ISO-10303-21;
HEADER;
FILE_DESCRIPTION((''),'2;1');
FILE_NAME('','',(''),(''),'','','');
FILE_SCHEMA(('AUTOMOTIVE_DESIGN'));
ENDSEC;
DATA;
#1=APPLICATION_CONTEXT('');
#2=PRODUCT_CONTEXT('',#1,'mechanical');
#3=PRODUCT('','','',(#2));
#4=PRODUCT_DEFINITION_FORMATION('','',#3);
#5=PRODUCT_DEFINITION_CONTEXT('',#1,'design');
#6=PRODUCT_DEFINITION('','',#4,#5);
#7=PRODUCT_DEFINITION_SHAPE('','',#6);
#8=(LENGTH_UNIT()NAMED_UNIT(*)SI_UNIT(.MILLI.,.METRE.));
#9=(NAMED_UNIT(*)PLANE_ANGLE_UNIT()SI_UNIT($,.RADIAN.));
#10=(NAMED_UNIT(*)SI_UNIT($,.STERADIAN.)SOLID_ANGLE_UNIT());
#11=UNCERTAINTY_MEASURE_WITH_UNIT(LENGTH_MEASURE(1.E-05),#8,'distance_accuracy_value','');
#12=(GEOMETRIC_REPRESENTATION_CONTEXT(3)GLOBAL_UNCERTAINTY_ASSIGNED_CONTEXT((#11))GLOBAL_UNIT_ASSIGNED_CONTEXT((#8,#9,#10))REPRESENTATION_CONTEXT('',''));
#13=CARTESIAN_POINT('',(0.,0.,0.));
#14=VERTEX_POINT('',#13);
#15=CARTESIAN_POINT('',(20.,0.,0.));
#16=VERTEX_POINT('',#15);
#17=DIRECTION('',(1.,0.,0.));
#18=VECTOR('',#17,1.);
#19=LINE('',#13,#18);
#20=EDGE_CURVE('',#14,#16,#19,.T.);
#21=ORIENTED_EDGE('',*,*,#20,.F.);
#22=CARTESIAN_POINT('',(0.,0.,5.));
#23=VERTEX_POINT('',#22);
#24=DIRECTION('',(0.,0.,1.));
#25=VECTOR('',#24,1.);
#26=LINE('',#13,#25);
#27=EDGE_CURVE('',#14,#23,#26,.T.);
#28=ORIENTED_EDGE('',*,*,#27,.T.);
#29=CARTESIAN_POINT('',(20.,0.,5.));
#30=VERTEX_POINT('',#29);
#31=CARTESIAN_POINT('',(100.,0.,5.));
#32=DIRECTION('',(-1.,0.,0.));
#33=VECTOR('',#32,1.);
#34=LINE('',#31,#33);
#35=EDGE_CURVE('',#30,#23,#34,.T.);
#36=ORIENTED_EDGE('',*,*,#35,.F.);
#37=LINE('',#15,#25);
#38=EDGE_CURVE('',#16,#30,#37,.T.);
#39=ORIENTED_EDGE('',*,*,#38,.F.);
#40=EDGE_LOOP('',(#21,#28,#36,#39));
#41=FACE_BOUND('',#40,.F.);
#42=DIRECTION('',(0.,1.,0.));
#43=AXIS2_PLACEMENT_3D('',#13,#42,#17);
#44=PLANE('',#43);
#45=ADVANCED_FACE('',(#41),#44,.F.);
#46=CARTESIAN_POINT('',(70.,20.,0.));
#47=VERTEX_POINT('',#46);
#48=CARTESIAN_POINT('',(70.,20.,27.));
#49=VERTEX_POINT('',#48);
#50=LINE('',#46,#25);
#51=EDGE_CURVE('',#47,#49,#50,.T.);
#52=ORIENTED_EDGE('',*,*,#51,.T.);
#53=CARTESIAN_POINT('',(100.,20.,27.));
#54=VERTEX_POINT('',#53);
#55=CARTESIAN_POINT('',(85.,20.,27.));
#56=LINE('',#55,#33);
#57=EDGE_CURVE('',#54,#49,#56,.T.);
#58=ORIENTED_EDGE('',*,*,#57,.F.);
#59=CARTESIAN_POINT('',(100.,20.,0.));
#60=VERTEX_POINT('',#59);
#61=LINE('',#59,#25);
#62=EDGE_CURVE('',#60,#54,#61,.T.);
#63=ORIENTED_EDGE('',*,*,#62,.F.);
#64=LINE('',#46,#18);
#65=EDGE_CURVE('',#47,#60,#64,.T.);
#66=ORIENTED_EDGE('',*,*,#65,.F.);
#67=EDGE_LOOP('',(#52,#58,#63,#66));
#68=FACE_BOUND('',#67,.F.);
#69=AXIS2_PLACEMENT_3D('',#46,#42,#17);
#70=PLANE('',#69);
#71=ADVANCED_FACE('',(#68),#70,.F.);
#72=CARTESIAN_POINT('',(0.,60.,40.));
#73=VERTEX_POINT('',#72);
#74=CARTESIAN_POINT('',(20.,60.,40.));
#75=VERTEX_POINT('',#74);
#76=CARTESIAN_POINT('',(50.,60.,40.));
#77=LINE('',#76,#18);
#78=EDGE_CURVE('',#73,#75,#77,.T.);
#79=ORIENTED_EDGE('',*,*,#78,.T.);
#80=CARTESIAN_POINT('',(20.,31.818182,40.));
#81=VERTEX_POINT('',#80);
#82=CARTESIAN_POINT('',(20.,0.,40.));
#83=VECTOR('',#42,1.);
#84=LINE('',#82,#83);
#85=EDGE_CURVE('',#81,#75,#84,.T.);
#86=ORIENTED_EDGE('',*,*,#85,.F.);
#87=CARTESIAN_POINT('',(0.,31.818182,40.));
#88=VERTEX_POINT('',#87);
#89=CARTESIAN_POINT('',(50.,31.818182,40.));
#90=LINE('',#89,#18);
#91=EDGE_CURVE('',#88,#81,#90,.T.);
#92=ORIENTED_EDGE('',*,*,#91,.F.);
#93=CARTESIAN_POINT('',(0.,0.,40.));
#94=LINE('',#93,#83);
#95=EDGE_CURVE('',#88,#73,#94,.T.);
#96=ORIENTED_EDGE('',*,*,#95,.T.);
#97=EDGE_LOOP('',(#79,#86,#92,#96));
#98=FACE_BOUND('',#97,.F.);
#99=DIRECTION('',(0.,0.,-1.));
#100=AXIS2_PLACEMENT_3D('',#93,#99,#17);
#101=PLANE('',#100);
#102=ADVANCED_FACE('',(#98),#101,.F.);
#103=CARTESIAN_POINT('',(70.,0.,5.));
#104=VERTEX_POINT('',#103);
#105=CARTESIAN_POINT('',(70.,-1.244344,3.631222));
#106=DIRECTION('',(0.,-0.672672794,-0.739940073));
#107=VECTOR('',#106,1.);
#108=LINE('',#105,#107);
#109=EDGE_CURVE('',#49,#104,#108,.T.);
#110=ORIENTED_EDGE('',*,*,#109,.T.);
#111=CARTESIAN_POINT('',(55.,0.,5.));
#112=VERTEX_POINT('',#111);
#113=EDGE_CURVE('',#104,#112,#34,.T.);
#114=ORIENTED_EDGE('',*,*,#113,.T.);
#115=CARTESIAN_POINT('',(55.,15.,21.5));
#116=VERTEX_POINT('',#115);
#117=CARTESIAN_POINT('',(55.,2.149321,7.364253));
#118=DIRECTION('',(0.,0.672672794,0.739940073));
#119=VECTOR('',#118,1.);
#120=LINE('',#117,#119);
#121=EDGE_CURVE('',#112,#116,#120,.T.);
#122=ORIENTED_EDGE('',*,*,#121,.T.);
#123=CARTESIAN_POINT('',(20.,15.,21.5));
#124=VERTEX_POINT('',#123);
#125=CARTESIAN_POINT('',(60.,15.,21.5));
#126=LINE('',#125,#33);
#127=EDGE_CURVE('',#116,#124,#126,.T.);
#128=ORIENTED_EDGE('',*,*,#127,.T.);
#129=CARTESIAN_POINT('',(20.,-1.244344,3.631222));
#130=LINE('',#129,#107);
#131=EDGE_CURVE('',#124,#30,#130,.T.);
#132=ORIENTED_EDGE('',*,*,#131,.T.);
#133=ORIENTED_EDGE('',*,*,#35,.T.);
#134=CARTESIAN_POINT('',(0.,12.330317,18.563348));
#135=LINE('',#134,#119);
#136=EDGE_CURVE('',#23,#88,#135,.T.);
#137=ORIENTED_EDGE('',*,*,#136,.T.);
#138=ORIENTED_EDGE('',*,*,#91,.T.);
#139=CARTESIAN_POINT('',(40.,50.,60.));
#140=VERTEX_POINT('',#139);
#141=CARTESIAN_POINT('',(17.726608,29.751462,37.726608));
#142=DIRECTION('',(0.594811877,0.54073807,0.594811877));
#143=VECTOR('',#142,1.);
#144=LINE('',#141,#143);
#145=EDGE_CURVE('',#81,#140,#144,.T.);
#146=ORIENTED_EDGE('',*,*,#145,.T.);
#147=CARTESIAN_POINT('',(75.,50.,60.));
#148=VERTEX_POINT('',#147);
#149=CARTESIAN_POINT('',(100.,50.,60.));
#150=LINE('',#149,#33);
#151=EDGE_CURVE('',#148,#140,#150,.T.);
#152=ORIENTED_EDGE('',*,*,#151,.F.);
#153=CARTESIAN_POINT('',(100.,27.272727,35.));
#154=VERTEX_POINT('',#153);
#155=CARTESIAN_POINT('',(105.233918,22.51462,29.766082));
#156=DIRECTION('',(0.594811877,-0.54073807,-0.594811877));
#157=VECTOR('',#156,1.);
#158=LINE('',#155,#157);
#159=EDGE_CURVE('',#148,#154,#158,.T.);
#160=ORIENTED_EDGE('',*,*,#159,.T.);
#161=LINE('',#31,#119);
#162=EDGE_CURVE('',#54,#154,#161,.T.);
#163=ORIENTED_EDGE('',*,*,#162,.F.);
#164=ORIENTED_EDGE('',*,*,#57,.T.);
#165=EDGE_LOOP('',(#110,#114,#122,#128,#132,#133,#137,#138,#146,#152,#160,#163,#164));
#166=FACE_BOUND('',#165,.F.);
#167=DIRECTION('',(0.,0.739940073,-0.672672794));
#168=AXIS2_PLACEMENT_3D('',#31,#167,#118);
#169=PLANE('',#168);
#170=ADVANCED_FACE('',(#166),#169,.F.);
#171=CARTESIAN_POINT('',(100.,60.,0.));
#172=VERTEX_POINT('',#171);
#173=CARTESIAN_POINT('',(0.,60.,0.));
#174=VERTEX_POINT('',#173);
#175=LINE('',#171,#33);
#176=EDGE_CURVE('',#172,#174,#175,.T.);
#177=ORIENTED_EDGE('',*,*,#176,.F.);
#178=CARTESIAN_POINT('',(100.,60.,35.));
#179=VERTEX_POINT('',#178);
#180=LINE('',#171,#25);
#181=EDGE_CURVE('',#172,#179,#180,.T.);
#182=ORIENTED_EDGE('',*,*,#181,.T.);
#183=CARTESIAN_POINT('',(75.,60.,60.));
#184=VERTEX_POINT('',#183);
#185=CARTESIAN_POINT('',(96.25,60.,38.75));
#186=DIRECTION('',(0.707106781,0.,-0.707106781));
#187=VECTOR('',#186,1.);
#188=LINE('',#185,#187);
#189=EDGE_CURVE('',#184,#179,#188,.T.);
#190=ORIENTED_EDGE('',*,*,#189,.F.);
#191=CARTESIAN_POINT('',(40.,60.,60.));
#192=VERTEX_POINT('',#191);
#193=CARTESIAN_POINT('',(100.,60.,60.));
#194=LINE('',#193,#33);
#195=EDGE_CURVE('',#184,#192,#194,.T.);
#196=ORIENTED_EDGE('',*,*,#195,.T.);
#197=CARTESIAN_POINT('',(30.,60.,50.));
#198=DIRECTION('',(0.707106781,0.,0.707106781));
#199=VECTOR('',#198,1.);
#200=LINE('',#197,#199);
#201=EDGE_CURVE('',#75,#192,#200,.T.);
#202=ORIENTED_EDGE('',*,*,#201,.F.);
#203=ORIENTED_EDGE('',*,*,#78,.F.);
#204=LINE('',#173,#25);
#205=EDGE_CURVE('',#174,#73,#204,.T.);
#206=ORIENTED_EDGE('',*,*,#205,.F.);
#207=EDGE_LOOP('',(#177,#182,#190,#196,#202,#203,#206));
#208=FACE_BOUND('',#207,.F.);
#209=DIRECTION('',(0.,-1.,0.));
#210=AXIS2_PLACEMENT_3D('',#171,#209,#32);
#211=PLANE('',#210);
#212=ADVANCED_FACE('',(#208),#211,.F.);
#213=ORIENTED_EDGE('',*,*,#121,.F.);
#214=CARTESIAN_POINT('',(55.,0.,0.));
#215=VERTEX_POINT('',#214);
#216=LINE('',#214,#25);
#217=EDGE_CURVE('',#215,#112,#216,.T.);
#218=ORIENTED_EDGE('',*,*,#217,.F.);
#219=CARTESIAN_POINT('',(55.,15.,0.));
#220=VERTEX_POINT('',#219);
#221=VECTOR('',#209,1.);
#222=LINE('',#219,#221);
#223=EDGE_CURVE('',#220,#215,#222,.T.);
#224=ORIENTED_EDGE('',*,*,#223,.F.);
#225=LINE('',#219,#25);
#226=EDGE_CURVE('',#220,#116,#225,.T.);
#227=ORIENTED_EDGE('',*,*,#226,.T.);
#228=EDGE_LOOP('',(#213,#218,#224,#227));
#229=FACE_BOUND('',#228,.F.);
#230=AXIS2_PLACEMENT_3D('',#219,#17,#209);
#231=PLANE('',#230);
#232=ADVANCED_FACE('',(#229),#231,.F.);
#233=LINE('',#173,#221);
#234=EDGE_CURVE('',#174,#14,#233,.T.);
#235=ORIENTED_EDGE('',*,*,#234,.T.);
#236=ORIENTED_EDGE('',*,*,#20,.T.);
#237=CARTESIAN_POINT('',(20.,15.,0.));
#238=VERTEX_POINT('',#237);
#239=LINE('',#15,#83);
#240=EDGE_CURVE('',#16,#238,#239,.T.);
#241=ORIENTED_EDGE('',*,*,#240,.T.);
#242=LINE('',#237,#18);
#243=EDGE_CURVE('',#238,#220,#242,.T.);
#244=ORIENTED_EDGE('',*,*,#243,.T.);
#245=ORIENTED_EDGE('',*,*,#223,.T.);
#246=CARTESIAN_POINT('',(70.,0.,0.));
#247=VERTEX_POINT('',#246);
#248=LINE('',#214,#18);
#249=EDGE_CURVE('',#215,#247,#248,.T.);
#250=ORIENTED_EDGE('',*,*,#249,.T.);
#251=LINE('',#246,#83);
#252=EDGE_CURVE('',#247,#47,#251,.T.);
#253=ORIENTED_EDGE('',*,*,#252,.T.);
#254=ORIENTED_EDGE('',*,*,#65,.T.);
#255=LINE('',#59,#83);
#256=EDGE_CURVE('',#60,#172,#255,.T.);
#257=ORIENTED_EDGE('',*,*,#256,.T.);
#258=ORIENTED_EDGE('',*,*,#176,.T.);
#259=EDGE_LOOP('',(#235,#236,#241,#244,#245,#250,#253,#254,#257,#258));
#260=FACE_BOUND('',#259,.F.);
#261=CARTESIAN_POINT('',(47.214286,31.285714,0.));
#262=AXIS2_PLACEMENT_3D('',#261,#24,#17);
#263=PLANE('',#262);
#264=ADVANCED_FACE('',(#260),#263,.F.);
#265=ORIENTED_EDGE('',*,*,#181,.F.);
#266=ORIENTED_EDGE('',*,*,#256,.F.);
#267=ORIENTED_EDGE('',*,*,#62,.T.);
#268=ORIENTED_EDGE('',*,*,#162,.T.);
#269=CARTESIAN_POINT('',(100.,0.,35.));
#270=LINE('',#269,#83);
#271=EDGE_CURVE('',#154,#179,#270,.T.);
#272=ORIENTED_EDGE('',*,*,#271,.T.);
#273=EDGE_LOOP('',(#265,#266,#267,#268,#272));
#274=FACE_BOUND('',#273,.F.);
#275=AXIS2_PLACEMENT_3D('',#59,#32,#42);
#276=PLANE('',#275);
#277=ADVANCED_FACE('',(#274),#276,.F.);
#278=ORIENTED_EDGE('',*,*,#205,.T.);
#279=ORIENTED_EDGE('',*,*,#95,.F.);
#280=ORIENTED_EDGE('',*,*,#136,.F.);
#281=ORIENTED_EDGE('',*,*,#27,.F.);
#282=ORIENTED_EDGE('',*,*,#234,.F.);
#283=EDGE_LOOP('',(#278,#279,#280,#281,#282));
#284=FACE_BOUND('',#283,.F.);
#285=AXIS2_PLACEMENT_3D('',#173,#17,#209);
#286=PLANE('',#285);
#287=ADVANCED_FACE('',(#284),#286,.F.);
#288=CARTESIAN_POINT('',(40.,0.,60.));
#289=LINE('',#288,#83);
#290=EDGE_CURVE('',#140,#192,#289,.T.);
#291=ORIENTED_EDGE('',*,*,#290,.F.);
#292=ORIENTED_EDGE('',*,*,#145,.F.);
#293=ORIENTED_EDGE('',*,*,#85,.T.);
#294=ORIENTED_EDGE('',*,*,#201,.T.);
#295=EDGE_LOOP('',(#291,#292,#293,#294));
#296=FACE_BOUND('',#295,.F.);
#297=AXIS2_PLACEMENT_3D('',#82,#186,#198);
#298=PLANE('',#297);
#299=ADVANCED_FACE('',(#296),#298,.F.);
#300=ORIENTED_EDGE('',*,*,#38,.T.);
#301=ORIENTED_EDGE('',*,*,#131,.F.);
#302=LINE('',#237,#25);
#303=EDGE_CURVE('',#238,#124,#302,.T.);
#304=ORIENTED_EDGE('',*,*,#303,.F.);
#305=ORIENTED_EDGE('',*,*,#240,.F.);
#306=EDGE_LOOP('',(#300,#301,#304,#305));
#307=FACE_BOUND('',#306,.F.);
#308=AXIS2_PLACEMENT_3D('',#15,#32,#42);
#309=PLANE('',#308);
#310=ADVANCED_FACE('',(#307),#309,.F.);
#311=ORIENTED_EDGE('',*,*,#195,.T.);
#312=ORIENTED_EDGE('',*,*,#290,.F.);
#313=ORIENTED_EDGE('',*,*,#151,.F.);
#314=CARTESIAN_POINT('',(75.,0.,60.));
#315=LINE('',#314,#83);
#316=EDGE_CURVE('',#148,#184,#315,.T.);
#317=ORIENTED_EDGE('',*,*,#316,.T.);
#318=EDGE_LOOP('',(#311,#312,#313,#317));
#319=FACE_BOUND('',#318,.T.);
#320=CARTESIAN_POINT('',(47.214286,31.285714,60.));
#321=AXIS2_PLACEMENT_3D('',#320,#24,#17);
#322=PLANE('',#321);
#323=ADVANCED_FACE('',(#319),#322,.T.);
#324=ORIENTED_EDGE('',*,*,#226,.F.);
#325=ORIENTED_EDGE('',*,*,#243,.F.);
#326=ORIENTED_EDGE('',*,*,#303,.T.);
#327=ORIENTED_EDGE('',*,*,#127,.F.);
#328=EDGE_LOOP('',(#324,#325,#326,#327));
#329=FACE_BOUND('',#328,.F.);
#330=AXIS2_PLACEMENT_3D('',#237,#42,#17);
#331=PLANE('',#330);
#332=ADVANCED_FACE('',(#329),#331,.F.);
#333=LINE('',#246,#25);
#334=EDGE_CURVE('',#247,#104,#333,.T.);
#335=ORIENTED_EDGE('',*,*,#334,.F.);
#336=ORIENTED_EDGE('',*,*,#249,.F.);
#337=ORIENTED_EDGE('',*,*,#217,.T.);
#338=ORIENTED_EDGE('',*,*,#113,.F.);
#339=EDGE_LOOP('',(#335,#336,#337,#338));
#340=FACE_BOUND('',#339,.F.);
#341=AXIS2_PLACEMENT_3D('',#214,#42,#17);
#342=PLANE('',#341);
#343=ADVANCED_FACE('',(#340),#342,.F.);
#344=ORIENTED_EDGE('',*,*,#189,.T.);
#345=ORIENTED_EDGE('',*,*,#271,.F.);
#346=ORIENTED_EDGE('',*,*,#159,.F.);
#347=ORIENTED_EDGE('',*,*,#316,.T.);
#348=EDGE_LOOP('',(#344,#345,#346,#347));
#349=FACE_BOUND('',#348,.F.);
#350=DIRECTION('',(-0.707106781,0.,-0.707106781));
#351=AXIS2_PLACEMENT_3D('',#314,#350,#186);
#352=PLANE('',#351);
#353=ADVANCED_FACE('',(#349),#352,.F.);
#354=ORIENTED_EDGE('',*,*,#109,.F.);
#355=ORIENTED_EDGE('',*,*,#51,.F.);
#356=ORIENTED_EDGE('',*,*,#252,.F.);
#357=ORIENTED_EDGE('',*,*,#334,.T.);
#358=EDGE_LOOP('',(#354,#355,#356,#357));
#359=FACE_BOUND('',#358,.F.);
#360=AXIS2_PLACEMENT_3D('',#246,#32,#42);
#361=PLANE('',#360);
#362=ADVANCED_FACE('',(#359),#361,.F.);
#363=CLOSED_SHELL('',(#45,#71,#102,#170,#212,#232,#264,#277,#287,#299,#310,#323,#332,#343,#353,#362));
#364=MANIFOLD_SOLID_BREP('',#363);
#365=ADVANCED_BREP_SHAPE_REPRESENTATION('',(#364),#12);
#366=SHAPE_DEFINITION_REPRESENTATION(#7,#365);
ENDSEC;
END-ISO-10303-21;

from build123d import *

# Parameters (mm, degrees)
F1_DEPTH = 60
F3_DEPTH = 60.001
F5_DEPTH = 100.001


with BuildPart() as f1:
    # F0 (on Top) → F1 (new body)
    with BuildSketch(Plane.XY):
        Polygon((0, 60), (0, 0), (20, 0), (20, 15), (55, 15), (55, 0), (70, 0), (70, 20), (100, 20), (100, 60), align=None)
    extrude(amount=F1_DEPTH)

    # F2 (on Front) → F3 (cut, through all)
    with BuildSketch(Plane.XZ):
        Polygon((0, 60), (0, 40), (20, 40), (40, 60), align=None)
        Polygon((100, 60), (75, 60), (100, 35), align=None)
    extrude(amount=-F3_DEPTH, mode=Mode.SUBTRACT)

    # F4 (on face) → F5 (cut, through all)
    with BuildSketch(Plane.YZ.offset(100)):
        Polygon((0, 5), (50, 60), (0, 60), align=None)
    extrude(amount=-F5_DEPTH, mode=Mode.SUBTRACT)


solid = f1.part
